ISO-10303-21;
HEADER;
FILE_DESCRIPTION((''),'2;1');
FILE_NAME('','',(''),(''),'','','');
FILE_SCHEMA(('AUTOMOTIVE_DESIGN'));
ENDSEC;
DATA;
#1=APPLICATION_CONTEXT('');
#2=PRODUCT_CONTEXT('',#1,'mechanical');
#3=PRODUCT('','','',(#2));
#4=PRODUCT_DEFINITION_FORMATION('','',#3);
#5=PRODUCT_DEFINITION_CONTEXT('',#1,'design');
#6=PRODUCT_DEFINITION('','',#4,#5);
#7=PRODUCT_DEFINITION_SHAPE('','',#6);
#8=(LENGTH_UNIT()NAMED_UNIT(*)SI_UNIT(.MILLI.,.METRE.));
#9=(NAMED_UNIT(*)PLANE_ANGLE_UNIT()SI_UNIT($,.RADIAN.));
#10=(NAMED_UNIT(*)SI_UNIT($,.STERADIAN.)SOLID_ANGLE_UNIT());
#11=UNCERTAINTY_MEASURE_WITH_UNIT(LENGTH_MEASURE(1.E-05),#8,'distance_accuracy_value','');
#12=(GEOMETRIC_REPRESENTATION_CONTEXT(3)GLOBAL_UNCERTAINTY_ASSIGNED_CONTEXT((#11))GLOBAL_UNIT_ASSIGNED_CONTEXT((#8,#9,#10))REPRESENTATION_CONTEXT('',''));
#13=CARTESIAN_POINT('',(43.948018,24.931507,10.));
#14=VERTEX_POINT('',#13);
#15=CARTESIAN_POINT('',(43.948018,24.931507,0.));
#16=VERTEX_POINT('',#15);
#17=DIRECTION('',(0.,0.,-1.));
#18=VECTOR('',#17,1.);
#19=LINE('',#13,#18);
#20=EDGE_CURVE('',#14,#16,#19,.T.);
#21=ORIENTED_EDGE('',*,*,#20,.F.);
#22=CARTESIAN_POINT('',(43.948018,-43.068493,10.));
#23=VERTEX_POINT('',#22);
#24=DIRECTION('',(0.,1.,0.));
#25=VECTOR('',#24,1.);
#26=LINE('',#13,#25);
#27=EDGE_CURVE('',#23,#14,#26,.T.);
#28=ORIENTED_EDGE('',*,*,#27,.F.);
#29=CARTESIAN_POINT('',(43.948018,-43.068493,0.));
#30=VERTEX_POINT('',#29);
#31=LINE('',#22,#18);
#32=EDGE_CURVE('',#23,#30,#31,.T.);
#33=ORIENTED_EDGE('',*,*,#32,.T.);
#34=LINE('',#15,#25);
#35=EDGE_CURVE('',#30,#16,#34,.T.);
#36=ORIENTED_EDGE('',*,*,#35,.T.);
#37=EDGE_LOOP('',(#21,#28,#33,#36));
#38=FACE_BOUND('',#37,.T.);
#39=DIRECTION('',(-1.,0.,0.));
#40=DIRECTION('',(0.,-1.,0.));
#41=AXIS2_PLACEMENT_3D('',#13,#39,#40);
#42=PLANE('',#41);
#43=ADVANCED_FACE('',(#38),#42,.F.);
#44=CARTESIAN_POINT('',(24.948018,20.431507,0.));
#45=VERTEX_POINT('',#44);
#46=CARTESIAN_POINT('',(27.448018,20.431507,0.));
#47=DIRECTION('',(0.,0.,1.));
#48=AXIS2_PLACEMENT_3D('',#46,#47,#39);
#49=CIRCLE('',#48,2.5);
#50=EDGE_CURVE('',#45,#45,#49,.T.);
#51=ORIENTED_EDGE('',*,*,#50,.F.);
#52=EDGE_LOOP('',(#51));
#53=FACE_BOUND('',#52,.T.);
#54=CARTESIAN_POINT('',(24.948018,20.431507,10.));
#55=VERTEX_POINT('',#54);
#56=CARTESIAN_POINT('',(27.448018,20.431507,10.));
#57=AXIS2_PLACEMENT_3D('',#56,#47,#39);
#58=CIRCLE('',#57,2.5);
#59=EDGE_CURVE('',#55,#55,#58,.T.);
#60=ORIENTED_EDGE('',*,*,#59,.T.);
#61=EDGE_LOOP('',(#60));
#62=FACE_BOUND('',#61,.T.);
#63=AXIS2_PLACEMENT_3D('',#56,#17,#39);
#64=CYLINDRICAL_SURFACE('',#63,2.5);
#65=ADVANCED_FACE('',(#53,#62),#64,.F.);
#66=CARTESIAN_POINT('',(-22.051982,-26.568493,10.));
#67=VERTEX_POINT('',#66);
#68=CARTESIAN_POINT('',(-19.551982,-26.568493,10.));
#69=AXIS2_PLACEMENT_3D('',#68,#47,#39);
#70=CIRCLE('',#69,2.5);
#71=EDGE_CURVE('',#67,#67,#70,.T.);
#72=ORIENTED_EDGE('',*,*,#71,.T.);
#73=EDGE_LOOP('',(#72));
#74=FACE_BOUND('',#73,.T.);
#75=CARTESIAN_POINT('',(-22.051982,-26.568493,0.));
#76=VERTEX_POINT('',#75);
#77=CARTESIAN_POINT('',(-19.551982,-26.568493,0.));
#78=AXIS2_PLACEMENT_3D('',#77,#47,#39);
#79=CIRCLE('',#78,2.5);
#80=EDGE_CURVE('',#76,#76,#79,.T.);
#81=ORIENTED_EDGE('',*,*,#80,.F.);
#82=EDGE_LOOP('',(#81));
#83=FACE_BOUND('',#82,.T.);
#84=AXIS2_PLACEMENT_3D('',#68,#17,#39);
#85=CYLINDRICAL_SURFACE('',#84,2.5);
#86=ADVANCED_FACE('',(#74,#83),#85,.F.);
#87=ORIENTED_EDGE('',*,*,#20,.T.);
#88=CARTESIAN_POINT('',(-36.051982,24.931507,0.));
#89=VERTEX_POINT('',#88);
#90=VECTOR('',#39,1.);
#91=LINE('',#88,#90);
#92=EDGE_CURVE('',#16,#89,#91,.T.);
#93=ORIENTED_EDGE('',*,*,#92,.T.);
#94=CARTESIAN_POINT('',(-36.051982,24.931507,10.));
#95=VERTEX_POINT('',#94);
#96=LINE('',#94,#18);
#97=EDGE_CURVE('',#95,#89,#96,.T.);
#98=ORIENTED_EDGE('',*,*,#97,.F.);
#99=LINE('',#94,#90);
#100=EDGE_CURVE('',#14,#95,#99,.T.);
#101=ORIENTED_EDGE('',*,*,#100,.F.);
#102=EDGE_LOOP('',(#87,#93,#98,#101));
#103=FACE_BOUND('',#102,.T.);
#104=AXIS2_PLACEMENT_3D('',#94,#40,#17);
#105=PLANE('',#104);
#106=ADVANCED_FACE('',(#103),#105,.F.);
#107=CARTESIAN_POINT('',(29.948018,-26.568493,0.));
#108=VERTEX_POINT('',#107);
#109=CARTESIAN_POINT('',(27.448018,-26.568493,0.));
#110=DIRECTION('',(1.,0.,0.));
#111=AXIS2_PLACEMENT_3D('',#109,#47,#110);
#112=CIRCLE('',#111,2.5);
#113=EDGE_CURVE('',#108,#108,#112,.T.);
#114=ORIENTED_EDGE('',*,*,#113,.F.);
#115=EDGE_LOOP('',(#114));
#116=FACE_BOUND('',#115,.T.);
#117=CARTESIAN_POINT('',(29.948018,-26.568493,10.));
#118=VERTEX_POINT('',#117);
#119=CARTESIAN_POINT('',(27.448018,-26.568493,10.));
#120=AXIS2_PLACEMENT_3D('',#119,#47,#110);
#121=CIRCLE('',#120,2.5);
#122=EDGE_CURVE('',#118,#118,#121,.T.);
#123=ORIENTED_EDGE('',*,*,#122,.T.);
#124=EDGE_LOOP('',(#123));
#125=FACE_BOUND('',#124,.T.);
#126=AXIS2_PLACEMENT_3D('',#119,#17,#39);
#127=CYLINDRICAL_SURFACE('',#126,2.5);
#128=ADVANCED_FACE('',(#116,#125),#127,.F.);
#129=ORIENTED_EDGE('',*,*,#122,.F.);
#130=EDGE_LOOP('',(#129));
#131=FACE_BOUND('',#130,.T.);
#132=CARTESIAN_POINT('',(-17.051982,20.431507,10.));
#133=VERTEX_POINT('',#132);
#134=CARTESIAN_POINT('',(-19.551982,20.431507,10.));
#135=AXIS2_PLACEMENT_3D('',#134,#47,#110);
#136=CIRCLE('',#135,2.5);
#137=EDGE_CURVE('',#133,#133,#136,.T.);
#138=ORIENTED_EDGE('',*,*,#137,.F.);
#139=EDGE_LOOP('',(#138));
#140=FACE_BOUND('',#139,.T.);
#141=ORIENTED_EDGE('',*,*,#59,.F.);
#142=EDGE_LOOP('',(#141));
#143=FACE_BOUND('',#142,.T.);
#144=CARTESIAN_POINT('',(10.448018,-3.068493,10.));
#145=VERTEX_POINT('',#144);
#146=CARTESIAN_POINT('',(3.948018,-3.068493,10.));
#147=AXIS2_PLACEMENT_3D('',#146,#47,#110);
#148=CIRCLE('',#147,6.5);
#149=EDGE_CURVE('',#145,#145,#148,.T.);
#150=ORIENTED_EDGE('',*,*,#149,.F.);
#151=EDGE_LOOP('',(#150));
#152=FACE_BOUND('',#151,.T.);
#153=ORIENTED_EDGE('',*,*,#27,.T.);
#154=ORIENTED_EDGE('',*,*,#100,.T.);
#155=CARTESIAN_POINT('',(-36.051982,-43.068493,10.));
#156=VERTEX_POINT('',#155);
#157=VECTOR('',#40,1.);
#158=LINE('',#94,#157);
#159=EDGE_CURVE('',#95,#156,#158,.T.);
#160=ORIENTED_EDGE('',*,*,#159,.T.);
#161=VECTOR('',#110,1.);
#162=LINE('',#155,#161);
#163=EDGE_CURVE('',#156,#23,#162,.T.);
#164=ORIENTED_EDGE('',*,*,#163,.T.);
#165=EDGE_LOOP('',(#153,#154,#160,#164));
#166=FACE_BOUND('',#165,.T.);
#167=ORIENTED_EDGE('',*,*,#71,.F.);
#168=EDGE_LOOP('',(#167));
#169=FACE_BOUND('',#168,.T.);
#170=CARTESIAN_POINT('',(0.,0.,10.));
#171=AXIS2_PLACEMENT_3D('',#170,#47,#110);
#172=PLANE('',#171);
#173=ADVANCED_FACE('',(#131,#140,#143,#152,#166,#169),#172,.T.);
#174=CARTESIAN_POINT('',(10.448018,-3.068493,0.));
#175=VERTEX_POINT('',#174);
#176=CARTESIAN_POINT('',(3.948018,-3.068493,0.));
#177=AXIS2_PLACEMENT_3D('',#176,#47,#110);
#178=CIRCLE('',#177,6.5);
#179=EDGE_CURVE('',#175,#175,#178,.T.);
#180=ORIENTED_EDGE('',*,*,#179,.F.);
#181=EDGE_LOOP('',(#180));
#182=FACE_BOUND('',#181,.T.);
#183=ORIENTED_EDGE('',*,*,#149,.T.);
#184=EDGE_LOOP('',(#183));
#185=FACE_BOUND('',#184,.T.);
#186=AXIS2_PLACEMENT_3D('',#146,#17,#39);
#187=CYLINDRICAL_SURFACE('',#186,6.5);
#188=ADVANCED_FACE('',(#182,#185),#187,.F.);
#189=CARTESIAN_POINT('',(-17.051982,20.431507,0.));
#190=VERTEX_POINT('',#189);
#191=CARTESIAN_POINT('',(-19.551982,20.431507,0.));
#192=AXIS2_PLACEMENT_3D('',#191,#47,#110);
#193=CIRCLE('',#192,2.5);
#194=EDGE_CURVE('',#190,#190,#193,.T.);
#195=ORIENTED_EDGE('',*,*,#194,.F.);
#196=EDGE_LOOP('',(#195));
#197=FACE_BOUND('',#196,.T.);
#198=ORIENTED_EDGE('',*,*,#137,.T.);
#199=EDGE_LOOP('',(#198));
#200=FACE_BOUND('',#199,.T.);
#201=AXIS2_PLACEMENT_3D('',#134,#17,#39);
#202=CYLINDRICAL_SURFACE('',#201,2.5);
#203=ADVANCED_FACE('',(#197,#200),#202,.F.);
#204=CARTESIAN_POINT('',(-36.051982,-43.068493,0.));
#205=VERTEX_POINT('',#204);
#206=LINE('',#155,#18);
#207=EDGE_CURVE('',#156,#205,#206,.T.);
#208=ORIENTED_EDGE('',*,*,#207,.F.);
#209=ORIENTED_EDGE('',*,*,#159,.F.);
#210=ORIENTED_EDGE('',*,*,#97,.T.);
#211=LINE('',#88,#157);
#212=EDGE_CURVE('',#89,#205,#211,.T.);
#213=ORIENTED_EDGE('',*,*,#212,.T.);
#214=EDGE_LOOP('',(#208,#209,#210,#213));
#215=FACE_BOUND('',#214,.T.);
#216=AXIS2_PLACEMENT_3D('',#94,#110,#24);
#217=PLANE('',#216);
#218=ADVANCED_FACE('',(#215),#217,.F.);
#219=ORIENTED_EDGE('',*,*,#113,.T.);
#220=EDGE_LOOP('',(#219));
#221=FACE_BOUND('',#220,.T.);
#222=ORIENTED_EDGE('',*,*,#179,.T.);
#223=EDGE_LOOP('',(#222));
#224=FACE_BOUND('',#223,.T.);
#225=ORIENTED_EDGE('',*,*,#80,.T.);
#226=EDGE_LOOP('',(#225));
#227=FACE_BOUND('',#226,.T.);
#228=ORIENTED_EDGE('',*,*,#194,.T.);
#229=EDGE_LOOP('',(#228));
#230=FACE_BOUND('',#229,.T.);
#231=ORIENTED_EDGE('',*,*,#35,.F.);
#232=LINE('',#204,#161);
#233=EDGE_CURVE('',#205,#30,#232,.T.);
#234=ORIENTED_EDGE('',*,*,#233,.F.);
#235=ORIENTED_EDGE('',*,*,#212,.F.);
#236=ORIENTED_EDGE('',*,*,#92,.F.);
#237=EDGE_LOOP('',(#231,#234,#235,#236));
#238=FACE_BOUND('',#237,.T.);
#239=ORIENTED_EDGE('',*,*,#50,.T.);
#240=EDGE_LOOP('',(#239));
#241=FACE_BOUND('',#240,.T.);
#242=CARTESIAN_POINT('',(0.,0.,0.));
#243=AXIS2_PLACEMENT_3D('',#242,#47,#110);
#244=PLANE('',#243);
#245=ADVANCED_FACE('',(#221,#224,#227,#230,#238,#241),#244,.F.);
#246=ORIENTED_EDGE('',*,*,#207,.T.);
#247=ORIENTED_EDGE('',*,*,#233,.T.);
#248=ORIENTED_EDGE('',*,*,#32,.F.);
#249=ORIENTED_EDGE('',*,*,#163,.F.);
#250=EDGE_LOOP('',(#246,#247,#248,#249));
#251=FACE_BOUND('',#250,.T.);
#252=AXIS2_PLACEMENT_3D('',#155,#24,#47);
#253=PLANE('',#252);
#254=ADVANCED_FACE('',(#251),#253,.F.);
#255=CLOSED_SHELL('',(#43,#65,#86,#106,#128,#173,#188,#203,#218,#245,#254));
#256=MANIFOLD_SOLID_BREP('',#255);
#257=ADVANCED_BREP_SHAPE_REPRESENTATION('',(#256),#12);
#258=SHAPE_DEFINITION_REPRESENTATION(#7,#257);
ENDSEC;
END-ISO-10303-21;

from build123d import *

# Parameters (mm, degrees)
SKETCH_1_W      = 80
SKETCH_1_H      = 68
SKETCH_1_R      = 6.5
SKETCH_1_R_2    = 2.5
EXTRUDE_1_DEPTH = 10


with BuildPart() as part:
    # 草图1 → 凸台-拉伸1 (new body)
    with BuildSketch(Plane.XY):
        with Locations((3.948018328, -9.068493151)):
            Rectangle(SKETCH_1_W, SKETCH_1_H)
        with Locations((3.948018328, -3.068493151)):
            Circle(SKETCH_1_R, mode=Mode.SUBTRACT)
        with Locations((-19.551981672, 20.431506849)):
            Circle(SKETCH_1_R_2, mode=Mode.SUBTRACT)
        with Locations((27.448018328, 20.431506849)):
            Circle(SKETCH_1_R_2, mode=Mode.SUBTRACT)
        with Locations((27.448018328, -26.568493151)):
            Circle(SKETCH_1_R_2, mode=Mode.SUBTRACT)
        with Locations((-19.551981672, -26.568493151)):
            Circle(SKETCH_1_R_2, mode=Mode.SUBTRACT)
    extrude(amount=EXTRUDE_1_DEPTH)


solid = part.part
